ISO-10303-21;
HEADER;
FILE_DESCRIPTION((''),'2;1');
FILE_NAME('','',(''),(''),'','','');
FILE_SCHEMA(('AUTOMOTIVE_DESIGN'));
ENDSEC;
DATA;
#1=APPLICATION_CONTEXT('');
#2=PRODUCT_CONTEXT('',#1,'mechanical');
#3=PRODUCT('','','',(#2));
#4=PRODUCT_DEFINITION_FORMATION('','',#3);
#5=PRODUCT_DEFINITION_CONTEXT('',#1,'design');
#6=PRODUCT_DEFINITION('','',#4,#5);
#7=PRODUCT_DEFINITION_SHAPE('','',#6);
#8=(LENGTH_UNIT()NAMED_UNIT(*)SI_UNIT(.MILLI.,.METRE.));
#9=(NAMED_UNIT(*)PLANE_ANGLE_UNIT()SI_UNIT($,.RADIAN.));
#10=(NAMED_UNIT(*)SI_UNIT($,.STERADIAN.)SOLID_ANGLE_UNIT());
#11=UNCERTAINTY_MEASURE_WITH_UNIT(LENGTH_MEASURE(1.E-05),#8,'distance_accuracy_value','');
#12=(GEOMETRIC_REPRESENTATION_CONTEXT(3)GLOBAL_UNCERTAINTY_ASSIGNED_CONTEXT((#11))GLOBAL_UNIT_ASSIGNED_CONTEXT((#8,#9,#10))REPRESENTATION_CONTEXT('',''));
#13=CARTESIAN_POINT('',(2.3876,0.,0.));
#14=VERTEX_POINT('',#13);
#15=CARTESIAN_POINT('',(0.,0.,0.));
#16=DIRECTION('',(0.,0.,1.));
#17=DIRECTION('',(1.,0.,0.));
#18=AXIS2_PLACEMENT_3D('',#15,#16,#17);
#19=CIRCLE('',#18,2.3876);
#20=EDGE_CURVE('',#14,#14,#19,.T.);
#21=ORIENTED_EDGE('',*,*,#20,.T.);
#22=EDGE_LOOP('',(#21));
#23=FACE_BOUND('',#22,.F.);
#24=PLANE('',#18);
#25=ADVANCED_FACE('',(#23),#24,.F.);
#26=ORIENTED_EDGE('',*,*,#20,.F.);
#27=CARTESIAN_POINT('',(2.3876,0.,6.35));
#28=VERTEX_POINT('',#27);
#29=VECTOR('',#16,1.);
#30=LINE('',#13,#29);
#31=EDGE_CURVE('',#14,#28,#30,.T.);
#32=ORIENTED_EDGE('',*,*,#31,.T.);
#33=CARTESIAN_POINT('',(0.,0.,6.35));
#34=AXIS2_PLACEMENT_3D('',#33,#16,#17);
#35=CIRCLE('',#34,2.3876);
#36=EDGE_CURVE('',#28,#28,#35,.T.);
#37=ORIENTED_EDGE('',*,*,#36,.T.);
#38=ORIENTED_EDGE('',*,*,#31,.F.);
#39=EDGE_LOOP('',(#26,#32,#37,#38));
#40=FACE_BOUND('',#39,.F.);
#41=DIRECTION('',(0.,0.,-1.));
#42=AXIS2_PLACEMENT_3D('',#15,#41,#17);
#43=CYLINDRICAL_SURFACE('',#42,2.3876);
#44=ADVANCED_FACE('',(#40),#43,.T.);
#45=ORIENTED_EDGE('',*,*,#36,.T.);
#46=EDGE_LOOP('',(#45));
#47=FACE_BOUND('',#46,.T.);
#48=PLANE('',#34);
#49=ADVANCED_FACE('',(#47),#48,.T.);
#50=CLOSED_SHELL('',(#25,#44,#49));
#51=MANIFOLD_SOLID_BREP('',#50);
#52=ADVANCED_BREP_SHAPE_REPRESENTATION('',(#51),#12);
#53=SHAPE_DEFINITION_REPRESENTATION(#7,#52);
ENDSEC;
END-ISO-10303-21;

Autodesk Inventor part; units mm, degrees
ref_plane "YZ Plane" through (0, 0, 0) normal (1, 0, 0) x (0, 1, 0)
ref_plane "XZ Plane" through (0, 0, 0) normal (0, 1, 0) x (-1, 0, 0)
ref_plane "XY Plane" through (0, 0, 0) normal (0, 0, 1) x (1, 0, 0)
sketch "Sketch1" plane through (0, 0, 0) normal (0, 0, 1) x (1, 0, 0)
  circle A0 centre (0, 0) radius 2.3876
  dimension "d0" = 4.7752
extrude "Extrusion1" add sketch "Sketch1" along normal blind 6.35
properties part number "Holefiller"
